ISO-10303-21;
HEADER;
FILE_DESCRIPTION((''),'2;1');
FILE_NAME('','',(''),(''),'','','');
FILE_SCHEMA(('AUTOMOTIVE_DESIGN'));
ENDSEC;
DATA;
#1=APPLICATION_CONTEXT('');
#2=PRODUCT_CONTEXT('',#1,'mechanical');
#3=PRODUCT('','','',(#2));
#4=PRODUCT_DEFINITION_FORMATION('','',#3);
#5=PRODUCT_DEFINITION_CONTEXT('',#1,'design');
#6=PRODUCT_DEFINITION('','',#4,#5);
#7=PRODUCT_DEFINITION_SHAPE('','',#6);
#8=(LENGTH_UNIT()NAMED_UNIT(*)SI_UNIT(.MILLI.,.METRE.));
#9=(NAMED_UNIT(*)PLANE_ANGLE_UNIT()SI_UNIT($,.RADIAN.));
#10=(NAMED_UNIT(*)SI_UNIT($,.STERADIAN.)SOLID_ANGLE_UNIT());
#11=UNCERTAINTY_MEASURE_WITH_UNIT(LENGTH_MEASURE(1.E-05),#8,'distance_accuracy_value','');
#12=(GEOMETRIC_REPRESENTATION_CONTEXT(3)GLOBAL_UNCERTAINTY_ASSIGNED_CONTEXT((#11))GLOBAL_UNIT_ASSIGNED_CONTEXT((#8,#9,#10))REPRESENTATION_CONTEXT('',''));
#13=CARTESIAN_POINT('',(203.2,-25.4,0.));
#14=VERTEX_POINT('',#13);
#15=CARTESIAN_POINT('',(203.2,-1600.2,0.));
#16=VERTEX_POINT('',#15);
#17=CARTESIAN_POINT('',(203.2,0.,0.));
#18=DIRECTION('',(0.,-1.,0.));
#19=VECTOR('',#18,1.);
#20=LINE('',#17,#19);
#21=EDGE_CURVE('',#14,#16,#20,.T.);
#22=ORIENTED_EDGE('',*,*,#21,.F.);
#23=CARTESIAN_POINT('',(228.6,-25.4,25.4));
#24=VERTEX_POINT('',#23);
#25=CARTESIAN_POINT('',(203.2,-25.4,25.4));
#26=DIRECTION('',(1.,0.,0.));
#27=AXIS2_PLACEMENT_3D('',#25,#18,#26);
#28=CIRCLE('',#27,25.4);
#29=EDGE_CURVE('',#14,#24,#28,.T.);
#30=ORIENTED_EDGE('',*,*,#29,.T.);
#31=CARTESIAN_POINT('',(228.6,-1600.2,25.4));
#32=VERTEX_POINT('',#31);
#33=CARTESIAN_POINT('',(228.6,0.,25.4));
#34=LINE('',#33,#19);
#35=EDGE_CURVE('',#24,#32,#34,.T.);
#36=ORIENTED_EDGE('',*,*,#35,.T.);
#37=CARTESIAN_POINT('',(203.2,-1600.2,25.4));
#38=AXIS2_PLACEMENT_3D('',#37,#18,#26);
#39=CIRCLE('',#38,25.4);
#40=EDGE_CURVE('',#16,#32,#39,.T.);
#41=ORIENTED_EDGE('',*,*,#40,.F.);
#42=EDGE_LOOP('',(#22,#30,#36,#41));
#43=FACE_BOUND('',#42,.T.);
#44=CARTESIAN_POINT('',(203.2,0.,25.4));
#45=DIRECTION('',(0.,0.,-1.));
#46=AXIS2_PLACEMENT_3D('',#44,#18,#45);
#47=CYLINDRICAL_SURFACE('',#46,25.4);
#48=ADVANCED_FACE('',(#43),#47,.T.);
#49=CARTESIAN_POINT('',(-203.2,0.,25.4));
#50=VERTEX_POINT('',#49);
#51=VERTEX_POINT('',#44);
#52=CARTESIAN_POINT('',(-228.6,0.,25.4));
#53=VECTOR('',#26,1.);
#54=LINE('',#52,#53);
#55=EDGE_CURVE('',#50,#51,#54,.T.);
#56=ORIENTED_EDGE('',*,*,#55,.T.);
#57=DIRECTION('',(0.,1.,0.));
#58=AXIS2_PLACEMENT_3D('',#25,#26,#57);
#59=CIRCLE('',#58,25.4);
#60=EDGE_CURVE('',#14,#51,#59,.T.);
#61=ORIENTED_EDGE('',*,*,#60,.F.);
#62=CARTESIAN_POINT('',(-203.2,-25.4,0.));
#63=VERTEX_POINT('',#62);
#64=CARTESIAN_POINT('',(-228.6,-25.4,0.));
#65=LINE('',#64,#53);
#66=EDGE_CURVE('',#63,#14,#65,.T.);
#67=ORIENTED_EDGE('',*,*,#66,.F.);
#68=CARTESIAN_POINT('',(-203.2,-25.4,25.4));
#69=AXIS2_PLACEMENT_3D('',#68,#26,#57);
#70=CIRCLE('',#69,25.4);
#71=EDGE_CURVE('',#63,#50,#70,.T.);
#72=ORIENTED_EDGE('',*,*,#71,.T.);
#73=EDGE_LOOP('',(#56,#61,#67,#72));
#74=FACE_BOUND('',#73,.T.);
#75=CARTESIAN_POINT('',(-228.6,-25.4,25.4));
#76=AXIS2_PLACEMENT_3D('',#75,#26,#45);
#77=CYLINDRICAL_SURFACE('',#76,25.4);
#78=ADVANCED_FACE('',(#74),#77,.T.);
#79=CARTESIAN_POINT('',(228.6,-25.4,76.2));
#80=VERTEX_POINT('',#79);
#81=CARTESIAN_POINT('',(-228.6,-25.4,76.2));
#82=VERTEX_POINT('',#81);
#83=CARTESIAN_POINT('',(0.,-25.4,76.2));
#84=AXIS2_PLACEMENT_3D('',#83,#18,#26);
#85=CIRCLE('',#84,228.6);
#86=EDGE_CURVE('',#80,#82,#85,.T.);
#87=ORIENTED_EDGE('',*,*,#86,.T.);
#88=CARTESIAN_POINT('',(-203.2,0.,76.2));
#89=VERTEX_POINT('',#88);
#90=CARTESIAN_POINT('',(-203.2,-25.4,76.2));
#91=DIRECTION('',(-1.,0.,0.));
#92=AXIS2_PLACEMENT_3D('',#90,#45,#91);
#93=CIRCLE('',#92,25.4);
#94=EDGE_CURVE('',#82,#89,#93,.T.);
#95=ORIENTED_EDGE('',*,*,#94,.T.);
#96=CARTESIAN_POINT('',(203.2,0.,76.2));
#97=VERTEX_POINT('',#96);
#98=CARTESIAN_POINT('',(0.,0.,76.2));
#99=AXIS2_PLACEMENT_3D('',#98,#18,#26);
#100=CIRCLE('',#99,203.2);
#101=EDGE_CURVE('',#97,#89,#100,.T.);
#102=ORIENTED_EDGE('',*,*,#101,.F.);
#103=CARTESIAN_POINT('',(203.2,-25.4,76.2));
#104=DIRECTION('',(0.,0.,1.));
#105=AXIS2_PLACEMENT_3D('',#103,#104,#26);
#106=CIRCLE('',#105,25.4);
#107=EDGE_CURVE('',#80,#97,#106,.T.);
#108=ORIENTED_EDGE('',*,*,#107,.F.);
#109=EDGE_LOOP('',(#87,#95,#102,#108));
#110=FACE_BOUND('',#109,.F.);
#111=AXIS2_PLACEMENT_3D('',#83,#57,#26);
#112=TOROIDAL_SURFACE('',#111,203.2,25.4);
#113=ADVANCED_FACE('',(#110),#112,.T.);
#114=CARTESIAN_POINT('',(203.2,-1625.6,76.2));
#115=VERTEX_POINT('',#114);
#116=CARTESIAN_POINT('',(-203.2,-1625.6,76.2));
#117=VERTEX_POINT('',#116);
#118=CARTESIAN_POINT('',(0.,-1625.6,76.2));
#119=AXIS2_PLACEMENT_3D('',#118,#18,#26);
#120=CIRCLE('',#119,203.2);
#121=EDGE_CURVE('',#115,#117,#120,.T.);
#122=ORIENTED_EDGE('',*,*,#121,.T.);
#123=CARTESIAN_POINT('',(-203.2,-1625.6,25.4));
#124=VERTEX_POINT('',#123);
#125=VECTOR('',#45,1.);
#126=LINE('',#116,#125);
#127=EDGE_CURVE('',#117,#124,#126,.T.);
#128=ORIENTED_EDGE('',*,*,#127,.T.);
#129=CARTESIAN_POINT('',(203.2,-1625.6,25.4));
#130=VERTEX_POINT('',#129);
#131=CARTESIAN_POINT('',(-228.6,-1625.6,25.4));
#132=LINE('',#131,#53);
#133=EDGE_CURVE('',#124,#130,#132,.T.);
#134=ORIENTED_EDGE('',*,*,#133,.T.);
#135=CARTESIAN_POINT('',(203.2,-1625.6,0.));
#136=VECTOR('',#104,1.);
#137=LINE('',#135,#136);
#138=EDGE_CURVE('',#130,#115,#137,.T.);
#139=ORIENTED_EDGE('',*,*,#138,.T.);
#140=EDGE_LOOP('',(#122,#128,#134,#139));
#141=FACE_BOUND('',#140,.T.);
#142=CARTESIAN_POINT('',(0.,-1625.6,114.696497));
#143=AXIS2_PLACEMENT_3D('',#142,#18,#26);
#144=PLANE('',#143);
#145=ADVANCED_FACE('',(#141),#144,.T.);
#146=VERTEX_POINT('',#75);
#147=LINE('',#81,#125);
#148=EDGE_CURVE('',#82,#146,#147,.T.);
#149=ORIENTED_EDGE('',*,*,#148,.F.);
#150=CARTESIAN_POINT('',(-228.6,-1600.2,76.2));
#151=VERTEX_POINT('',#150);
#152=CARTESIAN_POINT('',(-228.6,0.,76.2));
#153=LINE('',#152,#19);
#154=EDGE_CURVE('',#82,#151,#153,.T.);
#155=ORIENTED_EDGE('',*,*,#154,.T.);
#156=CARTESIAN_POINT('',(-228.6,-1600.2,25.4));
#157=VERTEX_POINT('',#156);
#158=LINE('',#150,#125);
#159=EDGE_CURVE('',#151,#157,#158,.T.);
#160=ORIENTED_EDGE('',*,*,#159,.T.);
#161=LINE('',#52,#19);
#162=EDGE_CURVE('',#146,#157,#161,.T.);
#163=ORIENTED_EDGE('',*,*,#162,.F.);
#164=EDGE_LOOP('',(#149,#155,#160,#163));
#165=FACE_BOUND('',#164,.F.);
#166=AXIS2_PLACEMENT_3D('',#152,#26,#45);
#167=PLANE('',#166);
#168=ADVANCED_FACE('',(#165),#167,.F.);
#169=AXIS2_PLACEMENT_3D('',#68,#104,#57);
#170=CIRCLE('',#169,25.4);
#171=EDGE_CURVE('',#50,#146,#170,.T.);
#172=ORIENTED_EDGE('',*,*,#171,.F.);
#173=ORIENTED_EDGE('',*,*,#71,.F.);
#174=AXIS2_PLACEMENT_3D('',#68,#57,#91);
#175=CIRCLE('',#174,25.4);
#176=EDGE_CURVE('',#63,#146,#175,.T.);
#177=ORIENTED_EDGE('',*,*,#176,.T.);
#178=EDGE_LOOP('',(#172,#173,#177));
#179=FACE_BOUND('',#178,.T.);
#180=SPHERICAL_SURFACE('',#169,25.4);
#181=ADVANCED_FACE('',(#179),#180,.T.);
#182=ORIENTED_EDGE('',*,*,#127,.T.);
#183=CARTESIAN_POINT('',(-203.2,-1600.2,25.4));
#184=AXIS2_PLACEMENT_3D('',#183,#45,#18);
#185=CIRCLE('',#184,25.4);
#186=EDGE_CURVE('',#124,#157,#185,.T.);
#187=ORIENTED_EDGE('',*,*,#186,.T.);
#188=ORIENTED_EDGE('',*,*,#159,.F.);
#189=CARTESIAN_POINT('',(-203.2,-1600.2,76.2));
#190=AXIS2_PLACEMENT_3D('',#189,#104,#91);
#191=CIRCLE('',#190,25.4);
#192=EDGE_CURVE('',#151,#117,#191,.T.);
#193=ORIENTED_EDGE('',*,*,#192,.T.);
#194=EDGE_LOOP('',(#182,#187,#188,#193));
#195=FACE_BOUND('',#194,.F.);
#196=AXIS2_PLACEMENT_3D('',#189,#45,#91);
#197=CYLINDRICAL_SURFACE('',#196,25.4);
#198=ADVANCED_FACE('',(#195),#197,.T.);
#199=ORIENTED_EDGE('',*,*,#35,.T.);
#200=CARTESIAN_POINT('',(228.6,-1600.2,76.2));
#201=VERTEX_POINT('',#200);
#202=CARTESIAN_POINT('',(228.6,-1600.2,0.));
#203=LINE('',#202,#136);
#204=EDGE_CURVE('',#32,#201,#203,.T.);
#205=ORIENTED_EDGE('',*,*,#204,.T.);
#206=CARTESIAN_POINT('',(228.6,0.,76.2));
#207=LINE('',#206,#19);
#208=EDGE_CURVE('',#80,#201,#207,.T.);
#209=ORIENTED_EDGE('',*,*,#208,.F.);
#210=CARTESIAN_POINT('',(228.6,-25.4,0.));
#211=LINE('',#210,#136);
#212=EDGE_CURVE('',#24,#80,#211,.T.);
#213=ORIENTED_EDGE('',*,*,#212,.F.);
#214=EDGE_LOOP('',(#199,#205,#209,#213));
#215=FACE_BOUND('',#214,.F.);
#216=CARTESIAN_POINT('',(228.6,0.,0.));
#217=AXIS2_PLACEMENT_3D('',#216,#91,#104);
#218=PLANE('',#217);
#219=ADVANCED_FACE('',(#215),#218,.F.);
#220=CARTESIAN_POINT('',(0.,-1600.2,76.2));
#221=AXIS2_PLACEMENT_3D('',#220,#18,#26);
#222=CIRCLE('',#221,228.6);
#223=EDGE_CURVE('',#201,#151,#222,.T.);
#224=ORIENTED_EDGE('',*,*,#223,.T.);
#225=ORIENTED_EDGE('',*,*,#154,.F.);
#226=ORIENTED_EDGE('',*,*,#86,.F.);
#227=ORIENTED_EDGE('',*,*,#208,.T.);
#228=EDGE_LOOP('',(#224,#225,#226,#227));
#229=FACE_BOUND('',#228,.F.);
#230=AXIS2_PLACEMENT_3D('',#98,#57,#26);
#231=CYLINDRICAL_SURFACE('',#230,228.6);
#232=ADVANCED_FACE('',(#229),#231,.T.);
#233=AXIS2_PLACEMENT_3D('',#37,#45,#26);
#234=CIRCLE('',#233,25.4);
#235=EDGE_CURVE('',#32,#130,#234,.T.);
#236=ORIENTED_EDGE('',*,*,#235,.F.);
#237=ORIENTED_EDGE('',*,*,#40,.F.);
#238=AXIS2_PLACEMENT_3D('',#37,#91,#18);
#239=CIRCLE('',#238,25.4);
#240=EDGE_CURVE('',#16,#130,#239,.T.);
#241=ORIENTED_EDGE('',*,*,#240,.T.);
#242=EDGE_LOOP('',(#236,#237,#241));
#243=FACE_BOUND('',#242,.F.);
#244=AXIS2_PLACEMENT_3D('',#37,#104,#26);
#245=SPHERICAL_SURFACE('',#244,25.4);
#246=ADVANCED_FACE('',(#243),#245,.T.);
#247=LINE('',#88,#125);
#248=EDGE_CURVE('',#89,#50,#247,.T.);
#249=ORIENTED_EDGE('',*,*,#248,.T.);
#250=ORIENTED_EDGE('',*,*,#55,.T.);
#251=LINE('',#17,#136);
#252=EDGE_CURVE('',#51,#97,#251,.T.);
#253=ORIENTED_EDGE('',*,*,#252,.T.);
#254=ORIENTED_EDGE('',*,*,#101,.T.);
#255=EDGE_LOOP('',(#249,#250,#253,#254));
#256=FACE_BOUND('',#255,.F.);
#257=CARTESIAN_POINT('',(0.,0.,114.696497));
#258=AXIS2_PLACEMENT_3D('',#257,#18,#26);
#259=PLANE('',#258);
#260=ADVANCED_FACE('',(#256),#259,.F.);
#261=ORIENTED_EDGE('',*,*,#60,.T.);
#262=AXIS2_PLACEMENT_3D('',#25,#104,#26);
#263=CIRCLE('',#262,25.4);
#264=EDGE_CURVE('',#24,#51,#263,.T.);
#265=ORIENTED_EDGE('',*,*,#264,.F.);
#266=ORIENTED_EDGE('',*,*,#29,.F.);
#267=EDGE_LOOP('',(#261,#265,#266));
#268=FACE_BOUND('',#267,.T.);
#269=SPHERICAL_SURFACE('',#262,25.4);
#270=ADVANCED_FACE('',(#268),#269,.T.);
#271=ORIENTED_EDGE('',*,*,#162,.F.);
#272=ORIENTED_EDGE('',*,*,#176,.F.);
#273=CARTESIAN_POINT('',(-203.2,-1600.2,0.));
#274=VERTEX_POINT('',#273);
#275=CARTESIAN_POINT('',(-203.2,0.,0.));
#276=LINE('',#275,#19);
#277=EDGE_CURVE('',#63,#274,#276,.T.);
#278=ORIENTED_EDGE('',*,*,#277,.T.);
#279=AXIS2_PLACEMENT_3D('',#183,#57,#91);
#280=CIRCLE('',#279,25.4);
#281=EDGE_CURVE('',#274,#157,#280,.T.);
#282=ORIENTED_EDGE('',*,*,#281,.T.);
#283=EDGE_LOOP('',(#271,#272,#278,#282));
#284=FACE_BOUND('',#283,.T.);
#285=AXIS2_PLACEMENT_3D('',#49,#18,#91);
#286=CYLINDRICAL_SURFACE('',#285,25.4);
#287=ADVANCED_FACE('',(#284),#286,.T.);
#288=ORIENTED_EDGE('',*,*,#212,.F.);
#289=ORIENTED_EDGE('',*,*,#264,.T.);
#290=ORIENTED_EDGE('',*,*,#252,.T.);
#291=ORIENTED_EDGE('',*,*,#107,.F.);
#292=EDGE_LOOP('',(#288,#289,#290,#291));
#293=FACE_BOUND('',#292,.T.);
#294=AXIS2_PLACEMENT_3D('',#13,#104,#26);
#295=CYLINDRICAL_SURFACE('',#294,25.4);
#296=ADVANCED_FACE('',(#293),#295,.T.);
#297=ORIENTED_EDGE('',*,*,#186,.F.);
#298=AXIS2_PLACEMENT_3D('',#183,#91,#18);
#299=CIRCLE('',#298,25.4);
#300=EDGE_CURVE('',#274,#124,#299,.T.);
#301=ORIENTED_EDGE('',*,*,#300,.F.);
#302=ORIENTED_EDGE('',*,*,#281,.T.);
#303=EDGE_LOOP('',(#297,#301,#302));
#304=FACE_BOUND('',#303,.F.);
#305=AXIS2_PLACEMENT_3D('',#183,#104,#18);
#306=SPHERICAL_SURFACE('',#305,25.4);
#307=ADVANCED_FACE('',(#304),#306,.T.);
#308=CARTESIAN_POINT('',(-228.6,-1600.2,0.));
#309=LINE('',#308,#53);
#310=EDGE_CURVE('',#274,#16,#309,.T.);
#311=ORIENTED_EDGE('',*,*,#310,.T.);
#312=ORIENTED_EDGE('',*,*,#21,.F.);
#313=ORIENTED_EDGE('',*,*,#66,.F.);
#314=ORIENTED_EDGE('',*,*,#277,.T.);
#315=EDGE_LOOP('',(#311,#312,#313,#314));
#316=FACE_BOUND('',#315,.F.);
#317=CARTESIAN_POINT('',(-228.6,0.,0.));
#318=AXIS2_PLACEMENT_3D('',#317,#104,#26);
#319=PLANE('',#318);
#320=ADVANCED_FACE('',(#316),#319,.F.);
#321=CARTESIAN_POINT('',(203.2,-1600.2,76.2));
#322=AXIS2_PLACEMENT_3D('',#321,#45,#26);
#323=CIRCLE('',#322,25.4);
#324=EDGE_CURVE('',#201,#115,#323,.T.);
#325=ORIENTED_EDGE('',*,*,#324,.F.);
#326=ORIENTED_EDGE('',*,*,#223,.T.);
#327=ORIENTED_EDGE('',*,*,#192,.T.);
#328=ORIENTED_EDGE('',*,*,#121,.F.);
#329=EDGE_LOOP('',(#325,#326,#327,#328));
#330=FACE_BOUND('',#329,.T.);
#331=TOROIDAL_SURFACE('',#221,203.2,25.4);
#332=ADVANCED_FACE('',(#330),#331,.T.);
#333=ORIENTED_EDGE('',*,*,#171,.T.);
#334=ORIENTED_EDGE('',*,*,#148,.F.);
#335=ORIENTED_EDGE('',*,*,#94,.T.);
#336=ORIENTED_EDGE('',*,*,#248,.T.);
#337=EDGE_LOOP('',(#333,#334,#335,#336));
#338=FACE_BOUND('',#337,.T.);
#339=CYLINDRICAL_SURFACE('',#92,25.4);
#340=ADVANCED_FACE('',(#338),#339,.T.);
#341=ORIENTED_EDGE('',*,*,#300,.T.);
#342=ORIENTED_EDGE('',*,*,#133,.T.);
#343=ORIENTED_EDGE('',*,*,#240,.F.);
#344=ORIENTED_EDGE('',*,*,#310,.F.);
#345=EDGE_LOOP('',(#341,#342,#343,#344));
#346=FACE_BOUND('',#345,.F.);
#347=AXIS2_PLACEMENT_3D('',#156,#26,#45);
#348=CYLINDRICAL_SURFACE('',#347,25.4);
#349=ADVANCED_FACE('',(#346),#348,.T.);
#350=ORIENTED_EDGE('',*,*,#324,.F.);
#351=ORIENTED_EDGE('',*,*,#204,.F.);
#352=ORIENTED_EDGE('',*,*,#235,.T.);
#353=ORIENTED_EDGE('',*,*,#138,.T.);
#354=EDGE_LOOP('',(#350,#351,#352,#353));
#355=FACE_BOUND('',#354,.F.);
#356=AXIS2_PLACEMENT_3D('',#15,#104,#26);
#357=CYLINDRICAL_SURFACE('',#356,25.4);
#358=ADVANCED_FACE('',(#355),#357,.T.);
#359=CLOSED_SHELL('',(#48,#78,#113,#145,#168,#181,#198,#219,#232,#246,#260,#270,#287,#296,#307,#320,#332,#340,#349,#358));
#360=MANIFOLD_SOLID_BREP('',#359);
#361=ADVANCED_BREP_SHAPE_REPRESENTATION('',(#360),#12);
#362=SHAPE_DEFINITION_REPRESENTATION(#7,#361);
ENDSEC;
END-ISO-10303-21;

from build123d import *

# Parameters (mm, degrees)
F1_DEPTH = 1625.6
F2_R     = 25.4


with BuildPart() as f1:
    # F0 (on Front) → F1 (new body)
    with BuildSketch(Plane.XZ):
        with BuildLine():
            ThreePointArc((228.6, 76.2), (0, 304.8), (-228.6, 76.2))
            Line((-228.6, 76.2), (-228.6, 0))
            Line((-228.6, 0), (228.6, 0))
            Line((228.6, 0), (228.6, 76.2))
        make_face()
    extrude(amount=F1_DEPTH)

    # F2
    f2_edges = [f1.edges().sort_by_distance(p)[0] for p in [
        (0, -1625.6, 304.8),
        (0, 0, 304.8),
        (228.6, -812.8, 0),
        (0, -1625.6, 0),
        (0, 0, 0),
        (-228.6, -812.8, 0),
    ]]
    fillet(f2_edges, radius=F2_R)


solid = f1.part
